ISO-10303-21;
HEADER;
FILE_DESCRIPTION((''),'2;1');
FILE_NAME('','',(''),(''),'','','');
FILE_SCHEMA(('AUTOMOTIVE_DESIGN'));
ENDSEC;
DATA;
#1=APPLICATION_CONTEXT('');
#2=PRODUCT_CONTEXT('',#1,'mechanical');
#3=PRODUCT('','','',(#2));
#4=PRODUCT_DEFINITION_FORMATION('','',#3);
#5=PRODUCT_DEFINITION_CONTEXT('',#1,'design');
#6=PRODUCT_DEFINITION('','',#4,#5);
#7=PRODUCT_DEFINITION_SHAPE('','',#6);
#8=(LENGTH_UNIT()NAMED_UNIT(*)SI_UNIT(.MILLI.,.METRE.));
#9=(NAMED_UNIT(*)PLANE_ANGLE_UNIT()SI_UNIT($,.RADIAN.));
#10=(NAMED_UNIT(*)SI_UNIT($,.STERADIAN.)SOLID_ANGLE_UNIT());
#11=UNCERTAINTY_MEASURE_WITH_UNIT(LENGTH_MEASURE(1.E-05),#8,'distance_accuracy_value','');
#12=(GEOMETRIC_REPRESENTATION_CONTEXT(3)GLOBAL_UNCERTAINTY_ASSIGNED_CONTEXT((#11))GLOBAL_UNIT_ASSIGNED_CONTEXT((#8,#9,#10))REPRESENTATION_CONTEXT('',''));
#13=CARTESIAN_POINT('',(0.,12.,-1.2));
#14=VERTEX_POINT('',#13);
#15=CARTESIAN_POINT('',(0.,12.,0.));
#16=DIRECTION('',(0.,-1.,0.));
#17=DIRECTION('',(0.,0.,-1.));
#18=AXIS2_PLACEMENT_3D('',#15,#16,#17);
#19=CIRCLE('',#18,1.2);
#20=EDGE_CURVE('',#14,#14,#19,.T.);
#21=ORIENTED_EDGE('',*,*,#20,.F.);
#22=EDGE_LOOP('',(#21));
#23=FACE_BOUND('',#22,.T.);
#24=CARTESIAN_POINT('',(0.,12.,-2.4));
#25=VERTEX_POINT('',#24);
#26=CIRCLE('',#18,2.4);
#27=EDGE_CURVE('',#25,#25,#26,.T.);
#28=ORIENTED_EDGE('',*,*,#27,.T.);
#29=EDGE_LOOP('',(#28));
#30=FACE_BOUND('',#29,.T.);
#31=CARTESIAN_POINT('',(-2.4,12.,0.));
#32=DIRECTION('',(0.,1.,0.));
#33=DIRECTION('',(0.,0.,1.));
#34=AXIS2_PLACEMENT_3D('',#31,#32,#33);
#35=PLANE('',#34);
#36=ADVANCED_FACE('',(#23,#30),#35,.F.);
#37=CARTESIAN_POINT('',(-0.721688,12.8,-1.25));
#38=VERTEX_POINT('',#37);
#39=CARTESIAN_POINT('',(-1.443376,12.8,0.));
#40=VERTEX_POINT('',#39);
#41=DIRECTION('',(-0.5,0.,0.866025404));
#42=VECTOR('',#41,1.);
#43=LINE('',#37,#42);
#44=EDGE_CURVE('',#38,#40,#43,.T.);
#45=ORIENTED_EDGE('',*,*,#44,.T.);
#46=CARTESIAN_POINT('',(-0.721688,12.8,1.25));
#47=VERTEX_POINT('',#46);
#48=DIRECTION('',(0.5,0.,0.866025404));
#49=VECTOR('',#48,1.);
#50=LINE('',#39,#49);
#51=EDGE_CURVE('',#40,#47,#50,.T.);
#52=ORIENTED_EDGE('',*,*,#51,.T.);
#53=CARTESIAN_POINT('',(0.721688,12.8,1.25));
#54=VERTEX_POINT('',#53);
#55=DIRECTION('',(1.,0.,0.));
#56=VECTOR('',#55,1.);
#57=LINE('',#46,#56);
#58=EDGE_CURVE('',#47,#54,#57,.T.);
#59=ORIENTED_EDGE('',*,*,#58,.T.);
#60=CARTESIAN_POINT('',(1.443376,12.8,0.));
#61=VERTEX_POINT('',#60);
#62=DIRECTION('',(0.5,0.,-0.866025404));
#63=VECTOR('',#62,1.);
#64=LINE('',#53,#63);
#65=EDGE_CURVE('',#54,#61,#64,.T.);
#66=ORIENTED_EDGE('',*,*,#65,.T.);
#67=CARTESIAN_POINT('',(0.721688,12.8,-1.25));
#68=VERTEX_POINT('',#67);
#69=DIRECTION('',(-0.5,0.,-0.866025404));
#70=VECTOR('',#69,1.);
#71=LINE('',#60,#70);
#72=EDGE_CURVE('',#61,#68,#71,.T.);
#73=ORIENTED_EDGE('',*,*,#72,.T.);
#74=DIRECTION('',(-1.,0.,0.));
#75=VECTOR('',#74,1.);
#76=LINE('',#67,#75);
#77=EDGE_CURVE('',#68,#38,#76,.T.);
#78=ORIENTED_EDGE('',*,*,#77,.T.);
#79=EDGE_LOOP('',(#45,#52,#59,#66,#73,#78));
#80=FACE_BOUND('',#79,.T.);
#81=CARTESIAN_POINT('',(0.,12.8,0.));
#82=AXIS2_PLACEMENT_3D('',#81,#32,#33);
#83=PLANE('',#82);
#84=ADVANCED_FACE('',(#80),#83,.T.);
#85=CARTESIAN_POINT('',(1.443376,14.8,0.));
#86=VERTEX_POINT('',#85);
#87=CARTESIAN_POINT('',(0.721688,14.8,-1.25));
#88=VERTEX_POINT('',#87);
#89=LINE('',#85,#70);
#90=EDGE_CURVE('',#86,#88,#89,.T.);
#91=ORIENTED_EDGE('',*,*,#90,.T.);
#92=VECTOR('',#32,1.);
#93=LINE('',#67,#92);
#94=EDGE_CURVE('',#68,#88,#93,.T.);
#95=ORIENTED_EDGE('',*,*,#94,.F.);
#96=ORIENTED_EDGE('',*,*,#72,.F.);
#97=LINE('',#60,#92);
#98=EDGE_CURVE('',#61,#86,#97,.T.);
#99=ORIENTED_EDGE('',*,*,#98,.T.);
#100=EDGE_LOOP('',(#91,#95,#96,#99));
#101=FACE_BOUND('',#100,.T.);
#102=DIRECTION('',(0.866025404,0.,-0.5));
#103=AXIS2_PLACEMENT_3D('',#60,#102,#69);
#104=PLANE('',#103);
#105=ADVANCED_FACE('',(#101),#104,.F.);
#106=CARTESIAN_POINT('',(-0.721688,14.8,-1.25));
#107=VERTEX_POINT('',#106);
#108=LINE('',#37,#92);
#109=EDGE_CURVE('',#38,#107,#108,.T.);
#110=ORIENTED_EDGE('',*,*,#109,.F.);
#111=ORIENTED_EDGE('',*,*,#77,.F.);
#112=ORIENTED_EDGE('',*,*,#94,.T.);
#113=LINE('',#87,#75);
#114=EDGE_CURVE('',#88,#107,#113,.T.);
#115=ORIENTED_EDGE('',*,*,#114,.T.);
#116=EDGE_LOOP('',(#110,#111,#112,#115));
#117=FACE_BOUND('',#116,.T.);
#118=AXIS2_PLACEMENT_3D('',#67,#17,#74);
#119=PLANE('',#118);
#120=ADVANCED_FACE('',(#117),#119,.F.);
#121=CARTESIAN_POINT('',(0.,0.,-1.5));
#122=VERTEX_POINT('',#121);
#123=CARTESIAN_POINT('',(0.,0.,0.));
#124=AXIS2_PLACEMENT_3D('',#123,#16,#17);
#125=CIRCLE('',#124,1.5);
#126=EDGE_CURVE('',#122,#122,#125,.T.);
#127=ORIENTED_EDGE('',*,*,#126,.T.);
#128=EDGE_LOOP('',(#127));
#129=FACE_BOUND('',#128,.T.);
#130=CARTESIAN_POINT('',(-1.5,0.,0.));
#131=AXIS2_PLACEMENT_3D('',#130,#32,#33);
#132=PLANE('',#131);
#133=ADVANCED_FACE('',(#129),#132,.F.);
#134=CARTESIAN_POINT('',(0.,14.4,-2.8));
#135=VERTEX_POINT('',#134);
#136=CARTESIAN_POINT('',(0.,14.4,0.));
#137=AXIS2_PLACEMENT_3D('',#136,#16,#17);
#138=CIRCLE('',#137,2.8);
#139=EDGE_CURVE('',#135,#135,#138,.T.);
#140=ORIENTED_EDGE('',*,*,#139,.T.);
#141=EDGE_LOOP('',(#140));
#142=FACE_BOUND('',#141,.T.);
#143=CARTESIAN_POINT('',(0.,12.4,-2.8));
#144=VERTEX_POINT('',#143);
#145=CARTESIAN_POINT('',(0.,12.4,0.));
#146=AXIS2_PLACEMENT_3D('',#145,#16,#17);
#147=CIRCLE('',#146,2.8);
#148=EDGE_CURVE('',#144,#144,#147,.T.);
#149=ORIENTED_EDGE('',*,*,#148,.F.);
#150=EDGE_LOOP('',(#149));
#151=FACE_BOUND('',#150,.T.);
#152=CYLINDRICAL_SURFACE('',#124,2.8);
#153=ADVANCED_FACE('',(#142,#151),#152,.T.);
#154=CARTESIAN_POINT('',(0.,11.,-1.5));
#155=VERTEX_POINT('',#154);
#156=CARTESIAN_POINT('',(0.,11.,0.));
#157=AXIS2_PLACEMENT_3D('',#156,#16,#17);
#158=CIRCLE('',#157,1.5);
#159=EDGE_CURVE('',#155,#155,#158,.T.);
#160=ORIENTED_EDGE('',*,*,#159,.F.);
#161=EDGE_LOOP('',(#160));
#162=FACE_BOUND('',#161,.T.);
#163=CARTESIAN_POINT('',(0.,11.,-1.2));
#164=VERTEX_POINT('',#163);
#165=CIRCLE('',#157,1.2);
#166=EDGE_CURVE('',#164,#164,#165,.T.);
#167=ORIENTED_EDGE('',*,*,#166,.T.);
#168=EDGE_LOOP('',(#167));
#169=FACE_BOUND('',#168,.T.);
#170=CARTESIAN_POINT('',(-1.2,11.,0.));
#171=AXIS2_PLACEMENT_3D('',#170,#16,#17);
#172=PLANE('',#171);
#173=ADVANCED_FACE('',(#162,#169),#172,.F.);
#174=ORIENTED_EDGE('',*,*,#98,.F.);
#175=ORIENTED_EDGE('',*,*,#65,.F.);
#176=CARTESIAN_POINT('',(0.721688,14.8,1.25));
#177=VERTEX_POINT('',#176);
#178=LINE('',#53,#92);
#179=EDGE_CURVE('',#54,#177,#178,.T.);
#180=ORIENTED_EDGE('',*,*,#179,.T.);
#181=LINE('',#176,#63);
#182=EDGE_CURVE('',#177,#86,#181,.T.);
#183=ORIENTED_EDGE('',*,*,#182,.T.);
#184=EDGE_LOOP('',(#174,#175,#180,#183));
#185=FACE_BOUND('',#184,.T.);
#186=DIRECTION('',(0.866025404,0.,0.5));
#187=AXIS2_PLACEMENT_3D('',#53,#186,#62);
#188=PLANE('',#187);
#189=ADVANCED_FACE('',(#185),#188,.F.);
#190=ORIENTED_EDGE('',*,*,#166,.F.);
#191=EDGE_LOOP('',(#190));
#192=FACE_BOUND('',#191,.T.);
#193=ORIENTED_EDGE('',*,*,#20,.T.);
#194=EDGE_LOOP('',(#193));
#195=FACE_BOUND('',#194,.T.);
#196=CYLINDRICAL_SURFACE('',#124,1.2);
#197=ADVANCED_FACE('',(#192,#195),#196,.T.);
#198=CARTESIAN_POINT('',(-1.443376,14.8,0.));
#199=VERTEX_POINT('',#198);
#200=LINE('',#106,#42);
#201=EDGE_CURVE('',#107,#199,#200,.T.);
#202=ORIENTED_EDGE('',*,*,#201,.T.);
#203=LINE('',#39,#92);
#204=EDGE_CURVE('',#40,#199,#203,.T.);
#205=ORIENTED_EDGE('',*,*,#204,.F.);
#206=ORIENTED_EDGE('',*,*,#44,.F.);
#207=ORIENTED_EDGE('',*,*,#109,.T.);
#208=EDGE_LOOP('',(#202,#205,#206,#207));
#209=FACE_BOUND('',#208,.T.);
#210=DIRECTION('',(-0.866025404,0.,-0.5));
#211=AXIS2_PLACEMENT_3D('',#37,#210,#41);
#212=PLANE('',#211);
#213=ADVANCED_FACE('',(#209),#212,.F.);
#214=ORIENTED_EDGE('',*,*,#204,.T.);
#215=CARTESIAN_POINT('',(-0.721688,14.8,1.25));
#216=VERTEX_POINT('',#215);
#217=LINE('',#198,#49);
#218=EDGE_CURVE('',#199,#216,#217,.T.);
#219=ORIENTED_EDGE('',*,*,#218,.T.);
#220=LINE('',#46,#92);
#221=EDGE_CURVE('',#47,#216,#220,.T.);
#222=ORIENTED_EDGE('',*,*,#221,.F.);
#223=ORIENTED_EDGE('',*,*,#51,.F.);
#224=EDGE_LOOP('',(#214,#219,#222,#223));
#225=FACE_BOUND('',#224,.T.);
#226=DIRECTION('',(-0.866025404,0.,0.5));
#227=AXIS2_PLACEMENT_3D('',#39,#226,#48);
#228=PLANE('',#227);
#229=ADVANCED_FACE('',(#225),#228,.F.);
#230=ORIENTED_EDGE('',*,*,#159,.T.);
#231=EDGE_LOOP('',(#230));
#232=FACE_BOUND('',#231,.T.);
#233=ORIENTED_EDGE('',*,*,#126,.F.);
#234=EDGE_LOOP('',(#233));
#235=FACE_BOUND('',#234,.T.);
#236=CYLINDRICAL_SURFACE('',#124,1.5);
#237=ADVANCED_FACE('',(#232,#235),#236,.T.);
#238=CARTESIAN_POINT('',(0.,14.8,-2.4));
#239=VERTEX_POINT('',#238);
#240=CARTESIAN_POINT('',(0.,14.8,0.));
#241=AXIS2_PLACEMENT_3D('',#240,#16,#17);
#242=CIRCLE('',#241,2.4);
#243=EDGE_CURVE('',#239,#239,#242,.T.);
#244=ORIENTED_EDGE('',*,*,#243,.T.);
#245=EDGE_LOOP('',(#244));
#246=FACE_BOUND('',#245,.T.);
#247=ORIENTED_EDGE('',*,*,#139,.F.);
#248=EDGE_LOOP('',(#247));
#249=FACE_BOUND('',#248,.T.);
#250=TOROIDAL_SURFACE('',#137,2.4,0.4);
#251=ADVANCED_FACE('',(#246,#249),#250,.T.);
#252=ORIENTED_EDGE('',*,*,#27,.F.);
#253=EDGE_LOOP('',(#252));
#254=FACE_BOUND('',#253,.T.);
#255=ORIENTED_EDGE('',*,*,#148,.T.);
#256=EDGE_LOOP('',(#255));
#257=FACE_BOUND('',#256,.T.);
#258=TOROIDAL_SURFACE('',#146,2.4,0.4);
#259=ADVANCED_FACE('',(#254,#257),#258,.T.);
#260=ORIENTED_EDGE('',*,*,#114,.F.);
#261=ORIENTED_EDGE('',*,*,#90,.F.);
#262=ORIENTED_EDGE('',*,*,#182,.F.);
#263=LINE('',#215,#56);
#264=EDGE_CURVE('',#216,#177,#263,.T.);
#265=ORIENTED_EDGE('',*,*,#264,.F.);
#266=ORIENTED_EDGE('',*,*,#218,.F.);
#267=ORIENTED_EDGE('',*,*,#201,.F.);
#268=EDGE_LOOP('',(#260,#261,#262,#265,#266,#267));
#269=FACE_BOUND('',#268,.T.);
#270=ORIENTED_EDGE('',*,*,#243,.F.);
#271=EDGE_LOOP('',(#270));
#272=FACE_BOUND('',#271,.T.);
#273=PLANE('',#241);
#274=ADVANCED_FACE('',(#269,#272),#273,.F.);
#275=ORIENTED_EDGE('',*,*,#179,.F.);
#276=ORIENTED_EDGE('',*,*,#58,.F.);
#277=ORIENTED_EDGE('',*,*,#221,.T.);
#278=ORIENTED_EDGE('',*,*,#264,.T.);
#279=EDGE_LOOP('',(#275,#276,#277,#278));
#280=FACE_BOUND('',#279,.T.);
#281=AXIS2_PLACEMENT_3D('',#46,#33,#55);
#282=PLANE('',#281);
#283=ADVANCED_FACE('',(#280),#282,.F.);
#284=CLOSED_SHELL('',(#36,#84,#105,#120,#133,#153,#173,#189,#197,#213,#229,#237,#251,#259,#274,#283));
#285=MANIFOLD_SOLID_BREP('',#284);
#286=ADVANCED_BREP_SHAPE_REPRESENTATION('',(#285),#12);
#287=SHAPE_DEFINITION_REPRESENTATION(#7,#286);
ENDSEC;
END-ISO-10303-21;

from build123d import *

# Parameters (mm, degrees)
CUT_EXTRUDE_1_DEPTH = 2


with BuildPart() as part:
    # 草图1 → 旋转1 (revolve)
    with BuildSketch(Plane.XY):
        with BuildLine():
            Line((0, 14.8), (-2.4, 14.8))
            ThreePointArc((-2.4, 14.8), (-2.682842712, 14.682842712), (-2.8, 14.4))
            Line((-2.8, 14.4), (-2.8, 12.4))
            ThreePointArc((-2.8, 12.4), (-2.682842712, 12.117157288), (-2.4, 12))
            Line((-2.4, 12), (-1.2, 12))
            Line((-1.2, 12), (-1.2, 11))
            Line((-1.2, 11), (-1.5, 11))
            Line((-1.5, 11), (-1.5, 0))
            Line((-1.5, 0), (0, 0))
            Line((0, 0), (0, 14.8))
        make_face()
    revolve(axis=Axis((0, 0, 0), (0, 1, 0)))

    # 草图2 → 切除-拉伸1 (cut)
    with BuildSketch(Plane(origin=(0, 14.8, 0), x_dir=(1, 0, 0), z_dir=(0, 1, 0))):
        Polygon((-0.721687836, 1.25), (-1.443375673, 0), (-0.721687836, -1.25), (0.721687836, -1.25), (1.443375673, 0), (0.721687836, 1.25), align=None)
    extrude(amount=-CUT_EXTRUDE_1_DEPTH, mode=Mode.SUBTRACT)


solid = part.part
